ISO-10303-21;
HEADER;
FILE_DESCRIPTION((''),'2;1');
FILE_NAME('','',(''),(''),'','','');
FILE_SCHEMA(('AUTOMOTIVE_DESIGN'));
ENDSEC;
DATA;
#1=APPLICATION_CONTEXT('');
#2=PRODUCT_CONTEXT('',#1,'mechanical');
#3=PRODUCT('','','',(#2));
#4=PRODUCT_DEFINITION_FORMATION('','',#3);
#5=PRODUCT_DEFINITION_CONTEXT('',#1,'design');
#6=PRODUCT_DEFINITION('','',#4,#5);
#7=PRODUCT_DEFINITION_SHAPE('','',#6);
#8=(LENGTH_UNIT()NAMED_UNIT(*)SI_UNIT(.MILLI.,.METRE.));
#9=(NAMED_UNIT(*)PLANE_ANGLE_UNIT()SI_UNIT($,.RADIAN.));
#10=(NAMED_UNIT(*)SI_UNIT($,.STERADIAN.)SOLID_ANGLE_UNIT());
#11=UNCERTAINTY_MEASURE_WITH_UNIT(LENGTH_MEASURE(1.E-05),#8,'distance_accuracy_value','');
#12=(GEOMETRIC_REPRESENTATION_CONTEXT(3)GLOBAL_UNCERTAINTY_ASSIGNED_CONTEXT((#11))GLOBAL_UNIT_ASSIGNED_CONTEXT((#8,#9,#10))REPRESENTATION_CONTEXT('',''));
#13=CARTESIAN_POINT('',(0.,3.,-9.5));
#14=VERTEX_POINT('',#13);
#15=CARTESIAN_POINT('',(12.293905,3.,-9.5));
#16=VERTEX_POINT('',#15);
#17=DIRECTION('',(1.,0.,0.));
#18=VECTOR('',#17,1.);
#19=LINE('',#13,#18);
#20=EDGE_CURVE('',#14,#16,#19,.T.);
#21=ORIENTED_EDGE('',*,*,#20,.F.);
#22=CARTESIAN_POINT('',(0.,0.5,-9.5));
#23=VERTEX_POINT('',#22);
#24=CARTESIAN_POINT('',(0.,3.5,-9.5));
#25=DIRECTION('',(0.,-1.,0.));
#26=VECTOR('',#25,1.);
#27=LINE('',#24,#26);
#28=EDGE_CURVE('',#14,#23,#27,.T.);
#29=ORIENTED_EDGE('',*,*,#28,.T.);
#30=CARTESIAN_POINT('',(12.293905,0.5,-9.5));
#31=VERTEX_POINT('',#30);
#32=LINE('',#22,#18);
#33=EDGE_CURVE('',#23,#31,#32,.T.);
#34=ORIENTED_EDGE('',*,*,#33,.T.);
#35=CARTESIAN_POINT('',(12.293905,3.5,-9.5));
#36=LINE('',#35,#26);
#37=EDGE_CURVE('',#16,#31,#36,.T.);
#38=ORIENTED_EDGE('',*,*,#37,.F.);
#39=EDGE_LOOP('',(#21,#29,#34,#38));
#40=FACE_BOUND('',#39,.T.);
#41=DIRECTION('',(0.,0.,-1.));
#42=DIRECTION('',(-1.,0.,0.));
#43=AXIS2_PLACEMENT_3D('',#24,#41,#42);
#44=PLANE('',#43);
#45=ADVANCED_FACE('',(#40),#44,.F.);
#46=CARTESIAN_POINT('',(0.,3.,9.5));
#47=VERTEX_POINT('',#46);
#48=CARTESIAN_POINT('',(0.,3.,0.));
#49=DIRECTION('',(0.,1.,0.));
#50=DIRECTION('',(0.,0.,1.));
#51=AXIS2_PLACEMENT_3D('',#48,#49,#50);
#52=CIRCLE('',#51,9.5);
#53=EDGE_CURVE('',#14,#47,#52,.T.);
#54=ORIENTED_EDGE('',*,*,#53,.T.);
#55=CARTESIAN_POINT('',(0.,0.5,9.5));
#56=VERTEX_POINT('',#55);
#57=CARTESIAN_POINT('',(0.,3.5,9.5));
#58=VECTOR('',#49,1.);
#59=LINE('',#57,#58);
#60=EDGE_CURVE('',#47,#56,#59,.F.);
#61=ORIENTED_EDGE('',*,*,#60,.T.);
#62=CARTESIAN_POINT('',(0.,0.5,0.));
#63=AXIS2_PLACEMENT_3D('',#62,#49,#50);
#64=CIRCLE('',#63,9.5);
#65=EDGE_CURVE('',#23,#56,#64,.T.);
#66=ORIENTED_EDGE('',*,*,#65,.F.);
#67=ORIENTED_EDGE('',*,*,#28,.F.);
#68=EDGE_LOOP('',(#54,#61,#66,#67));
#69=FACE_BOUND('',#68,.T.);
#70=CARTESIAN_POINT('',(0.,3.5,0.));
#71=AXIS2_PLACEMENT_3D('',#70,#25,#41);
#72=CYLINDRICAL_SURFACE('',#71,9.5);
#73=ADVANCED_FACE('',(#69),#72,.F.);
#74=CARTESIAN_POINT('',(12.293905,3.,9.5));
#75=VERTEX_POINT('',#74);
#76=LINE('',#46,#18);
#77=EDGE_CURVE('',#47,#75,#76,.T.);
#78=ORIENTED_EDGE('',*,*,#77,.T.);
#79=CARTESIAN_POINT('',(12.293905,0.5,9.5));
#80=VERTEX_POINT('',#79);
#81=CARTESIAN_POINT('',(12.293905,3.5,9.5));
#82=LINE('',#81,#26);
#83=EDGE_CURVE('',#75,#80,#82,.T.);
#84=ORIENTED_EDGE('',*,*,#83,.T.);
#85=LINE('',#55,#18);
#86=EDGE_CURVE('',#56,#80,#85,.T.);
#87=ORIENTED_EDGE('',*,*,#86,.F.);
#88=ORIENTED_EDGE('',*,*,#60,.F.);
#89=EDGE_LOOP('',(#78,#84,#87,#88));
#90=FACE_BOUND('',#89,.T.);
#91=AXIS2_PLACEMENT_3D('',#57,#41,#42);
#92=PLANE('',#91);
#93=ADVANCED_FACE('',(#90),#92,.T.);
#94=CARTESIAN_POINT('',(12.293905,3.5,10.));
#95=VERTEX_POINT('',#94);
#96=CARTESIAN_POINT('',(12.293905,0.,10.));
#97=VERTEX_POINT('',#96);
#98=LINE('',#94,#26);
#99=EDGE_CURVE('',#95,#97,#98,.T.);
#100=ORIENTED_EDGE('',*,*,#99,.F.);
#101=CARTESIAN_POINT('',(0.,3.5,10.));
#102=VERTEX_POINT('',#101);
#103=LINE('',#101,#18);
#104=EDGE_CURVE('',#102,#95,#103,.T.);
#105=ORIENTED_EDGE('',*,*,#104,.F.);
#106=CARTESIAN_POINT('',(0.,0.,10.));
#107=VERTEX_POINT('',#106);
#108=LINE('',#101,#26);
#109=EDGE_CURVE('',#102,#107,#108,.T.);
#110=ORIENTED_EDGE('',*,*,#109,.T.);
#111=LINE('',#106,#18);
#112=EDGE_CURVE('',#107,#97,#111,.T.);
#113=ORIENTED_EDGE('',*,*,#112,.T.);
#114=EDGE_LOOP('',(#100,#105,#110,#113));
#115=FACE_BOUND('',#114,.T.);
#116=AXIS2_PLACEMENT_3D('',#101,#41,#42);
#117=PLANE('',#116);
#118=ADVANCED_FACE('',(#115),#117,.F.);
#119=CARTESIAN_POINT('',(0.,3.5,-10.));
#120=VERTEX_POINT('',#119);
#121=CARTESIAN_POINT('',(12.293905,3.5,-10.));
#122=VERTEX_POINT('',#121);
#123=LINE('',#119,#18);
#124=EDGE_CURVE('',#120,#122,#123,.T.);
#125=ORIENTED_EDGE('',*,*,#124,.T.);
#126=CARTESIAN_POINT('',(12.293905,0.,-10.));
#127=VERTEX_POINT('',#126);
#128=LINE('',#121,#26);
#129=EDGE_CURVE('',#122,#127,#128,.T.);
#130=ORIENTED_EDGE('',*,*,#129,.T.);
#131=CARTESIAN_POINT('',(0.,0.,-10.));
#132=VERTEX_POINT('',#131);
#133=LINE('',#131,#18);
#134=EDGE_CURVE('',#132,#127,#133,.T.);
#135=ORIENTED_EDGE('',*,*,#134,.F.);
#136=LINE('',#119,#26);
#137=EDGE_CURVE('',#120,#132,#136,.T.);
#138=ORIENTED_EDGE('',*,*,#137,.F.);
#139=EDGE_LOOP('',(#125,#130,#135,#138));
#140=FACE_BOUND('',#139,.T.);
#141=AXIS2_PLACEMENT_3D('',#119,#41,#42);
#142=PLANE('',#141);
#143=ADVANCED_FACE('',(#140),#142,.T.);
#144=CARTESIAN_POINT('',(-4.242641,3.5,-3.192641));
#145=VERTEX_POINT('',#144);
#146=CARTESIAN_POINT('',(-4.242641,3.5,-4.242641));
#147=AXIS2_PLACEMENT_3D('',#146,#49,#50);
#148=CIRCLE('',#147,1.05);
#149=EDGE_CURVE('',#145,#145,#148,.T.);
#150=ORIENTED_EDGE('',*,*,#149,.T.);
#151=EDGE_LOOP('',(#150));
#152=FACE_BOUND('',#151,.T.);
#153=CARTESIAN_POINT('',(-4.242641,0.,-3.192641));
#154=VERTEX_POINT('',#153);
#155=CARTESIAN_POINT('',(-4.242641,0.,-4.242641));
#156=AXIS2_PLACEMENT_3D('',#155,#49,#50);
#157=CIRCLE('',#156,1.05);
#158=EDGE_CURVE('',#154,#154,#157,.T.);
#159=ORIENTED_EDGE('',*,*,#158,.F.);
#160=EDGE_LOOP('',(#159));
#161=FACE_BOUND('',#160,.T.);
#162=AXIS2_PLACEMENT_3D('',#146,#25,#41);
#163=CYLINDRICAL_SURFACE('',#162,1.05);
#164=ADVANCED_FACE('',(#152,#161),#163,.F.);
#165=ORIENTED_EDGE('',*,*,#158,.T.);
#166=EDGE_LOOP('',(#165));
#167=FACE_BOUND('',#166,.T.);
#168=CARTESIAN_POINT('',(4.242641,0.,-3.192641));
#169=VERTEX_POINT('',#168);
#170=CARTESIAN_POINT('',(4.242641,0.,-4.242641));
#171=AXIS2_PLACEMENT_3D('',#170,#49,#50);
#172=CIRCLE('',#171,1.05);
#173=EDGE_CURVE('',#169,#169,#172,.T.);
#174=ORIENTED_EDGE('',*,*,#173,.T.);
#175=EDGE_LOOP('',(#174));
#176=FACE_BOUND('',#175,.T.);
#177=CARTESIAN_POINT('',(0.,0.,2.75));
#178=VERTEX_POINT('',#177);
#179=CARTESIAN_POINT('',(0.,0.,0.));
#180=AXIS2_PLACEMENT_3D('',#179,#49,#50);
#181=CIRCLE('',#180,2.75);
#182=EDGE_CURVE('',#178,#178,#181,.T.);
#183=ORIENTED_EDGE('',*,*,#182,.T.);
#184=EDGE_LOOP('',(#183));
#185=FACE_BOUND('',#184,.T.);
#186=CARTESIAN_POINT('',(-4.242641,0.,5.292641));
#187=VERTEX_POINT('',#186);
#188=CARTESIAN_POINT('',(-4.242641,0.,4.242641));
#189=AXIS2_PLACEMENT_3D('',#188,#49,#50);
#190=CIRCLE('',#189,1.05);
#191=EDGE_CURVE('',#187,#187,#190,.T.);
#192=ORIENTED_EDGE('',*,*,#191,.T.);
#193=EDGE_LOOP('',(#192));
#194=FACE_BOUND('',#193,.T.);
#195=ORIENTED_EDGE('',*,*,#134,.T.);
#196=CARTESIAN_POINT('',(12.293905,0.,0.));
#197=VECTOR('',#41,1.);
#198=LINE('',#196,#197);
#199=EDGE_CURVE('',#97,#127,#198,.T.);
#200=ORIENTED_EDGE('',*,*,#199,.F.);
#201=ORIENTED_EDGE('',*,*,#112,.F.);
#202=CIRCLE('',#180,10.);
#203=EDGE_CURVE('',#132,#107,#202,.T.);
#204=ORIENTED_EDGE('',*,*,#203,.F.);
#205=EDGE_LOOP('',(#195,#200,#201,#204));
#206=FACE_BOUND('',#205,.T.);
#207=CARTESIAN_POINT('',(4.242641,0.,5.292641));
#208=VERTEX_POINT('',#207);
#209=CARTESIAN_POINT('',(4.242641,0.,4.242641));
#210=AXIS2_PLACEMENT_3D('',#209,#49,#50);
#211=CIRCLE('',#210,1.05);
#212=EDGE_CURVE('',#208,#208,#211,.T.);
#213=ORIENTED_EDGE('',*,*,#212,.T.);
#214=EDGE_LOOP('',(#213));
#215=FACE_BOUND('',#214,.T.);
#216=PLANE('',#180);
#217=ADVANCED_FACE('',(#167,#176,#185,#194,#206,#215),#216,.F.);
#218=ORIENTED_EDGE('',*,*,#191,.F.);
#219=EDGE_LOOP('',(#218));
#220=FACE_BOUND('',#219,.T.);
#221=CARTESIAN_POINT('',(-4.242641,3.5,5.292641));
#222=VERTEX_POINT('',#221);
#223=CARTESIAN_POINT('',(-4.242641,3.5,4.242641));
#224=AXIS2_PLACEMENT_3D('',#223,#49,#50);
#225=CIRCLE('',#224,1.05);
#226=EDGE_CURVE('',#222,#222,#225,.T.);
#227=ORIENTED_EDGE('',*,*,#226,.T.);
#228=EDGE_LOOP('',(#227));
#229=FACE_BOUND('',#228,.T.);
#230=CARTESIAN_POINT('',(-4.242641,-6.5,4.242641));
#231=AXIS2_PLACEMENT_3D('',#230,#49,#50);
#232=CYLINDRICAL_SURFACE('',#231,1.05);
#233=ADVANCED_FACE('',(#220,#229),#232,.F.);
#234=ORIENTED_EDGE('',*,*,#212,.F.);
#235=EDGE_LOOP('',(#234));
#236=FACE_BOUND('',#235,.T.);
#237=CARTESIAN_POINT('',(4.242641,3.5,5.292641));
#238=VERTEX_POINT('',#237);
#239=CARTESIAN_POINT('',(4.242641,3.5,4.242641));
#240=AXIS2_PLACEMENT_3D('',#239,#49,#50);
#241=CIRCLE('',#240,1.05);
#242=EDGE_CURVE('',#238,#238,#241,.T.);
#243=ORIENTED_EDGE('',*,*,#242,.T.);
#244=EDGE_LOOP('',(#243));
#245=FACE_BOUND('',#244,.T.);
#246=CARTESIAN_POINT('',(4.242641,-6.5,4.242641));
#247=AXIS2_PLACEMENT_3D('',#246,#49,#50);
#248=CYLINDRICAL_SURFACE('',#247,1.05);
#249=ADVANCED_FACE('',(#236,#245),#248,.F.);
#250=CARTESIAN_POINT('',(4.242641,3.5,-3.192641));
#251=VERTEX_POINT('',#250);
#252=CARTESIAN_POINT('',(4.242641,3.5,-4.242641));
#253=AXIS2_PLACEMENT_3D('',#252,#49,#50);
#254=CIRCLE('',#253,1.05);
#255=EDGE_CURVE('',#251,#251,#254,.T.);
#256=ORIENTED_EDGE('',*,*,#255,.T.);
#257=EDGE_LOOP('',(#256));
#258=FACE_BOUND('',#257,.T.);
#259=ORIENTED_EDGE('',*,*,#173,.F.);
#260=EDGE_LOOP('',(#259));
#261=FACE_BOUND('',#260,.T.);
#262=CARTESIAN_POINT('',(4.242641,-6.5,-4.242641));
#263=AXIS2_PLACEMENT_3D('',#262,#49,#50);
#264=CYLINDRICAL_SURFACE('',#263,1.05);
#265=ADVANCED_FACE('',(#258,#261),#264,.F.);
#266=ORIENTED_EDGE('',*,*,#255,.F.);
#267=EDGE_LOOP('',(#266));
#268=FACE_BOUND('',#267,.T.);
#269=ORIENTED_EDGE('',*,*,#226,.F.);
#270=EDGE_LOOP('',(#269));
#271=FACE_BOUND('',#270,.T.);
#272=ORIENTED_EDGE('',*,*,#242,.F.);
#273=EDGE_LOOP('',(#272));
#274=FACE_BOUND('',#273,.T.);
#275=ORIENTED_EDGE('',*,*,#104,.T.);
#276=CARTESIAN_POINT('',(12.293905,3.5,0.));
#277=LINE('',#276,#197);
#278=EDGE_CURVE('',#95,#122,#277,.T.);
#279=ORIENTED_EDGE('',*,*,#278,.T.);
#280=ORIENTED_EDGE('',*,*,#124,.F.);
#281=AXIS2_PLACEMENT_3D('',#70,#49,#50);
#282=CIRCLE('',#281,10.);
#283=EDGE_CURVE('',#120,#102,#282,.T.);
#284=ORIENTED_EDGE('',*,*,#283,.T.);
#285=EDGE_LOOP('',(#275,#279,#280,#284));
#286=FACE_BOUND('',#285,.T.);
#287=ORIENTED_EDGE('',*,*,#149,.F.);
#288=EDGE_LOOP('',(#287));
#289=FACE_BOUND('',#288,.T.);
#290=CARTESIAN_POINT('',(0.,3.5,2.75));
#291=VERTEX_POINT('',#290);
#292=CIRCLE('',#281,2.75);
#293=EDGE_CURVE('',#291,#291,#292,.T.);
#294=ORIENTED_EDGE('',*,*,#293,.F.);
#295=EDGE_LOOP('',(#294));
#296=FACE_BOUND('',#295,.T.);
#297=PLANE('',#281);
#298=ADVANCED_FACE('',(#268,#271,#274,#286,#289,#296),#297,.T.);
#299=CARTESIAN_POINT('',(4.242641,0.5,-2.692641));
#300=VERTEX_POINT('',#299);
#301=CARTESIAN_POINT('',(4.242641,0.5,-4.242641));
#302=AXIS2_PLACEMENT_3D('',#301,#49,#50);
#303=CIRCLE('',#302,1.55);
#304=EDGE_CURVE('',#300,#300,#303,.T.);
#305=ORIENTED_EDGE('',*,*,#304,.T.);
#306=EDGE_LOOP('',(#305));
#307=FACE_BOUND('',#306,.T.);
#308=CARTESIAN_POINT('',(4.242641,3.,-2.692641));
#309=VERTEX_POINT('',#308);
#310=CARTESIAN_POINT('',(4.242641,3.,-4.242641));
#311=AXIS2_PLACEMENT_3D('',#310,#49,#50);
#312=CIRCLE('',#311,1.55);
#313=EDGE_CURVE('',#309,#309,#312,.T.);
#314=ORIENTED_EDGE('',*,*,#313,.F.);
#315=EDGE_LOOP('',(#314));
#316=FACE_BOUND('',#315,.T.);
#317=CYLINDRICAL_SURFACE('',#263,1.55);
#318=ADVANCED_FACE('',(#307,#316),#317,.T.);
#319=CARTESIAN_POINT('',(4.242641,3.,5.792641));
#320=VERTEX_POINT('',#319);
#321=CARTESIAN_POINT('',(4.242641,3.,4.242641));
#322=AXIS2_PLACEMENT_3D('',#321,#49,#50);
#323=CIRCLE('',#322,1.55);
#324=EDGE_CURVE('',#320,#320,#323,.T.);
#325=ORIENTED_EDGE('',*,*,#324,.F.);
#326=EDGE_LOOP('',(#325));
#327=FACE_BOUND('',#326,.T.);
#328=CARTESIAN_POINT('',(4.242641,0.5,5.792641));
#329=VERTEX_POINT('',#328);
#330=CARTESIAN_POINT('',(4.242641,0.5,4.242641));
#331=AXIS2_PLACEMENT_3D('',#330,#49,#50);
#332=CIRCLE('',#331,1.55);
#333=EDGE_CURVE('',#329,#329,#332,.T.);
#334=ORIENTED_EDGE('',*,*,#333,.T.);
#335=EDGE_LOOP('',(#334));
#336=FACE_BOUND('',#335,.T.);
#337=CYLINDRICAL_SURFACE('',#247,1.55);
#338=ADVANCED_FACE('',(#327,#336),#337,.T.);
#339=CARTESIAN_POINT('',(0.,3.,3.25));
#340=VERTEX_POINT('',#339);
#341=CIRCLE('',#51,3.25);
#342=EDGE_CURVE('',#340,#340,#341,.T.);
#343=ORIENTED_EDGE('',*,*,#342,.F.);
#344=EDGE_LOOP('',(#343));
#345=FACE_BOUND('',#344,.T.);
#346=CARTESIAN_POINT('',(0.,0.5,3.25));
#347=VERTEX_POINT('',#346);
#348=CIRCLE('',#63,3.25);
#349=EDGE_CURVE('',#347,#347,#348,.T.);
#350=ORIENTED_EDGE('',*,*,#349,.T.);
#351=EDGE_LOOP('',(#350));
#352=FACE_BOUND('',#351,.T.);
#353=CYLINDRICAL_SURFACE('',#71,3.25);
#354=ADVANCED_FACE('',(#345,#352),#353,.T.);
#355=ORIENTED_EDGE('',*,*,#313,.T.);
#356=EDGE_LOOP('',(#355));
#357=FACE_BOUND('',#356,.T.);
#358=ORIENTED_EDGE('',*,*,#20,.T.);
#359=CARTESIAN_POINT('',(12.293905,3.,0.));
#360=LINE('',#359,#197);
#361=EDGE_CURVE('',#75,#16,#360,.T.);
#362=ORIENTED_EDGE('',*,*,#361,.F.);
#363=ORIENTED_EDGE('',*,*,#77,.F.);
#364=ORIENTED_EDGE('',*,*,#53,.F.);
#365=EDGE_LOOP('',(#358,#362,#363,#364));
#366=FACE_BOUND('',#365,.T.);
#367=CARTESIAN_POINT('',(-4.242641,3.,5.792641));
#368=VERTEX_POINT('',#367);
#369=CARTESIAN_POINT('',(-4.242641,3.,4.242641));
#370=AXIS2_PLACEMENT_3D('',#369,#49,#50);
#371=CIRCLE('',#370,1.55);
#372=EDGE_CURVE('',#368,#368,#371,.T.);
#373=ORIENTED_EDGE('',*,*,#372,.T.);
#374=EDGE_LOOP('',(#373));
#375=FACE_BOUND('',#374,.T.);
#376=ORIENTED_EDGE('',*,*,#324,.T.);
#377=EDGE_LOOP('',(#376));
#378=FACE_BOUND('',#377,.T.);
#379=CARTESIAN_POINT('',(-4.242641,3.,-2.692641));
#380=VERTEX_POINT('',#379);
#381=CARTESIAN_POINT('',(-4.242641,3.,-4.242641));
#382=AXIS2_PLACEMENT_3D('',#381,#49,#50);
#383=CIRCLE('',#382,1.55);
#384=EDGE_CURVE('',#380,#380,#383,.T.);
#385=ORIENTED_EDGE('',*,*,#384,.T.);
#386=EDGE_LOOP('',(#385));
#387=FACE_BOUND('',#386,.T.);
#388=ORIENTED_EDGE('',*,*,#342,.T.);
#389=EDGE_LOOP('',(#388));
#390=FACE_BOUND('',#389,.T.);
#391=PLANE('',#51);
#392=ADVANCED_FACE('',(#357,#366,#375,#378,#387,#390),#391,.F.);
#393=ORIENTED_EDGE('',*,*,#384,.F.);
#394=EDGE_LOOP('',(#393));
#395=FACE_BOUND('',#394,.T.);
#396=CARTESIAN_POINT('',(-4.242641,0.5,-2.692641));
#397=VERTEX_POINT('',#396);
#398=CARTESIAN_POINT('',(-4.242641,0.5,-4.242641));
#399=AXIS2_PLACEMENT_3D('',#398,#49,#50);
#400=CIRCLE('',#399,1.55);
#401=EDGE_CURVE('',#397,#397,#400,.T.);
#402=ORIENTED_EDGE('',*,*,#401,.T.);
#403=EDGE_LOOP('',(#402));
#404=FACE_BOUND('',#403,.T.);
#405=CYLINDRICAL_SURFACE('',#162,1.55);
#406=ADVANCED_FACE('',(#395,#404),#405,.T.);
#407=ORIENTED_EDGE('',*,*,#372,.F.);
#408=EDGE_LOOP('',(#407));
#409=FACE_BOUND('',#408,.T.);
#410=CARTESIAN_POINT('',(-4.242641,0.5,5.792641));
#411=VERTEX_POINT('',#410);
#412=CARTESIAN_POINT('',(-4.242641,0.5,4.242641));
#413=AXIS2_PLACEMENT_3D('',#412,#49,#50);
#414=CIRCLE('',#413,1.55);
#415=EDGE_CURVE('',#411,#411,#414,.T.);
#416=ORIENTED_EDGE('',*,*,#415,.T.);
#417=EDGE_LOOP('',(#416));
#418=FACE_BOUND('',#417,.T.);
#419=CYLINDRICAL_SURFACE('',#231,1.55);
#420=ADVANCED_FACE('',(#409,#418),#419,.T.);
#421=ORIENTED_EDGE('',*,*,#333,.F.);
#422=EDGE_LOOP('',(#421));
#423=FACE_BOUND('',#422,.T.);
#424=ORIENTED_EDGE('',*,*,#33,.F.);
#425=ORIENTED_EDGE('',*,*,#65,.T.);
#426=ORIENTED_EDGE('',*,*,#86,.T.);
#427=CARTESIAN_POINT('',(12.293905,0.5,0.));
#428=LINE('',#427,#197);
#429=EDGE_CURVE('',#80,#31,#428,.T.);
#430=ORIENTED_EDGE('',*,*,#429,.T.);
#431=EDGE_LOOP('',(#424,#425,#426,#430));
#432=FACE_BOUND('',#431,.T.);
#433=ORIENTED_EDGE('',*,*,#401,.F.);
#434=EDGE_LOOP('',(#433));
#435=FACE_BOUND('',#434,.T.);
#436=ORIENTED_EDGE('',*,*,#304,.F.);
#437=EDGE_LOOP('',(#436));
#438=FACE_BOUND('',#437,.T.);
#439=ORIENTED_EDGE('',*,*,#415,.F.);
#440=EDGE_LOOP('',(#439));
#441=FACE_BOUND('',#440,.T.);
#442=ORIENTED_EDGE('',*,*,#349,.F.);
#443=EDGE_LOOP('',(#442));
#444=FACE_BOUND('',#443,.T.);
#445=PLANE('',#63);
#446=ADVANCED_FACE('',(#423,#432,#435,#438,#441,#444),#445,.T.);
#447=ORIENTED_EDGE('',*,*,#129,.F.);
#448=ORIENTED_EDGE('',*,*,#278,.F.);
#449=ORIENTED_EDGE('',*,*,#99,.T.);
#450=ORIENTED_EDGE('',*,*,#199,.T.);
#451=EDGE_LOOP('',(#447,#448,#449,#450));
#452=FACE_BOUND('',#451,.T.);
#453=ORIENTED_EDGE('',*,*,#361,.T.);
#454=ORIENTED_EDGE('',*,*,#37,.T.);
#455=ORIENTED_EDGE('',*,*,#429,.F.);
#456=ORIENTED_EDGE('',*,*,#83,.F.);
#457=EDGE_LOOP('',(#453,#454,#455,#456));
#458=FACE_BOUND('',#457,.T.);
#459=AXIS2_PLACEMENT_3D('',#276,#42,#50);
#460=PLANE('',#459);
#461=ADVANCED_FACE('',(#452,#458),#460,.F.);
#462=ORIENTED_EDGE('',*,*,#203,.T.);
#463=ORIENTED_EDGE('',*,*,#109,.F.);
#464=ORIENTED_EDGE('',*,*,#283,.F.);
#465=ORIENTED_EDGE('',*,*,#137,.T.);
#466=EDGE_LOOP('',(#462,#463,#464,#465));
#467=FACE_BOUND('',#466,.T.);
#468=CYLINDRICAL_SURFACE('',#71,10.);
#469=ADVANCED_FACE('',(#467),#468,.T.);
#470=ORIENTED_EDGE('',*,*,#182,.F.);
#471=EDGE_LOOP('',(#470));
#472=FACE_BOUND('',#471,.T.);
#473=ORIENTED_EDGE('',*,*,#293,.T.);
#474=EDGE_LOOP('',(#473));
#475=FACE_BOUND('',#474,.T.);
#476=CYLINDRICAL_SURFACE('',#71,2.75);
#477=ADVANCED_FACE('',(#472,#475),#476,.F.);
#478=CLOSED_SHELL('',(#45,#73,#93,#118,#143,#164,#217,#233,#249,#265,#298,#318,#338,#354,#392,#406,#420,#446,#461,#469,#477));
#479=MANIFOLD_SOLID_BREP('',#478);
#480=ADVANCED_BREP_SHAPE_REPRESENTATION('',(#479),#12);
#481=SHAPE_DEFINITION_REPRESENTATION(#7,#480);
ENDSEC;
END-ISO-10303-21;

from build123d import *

# Parameters (mm, degrees)
SKETCH1_R           = 10
SKETCH1_R_2         = 1.05
SKETCH1_R_3         = 2.75
BOSS_EXTRUDE1_DEPTH = 3.5
SKETCH8_R           = 1.05
CUT_EXTRUDE2_DEPTH  = 10
BOSS_EXTRUDE5_DEPTH = 3.5
SHELL2_T            = -0.5


with BuildPart() as part:
    # Sketch1 → Boss-Extrude1 (new body)
    with BuildSketch(Plane(origin=(0, 0, 0), x_dir=(1, 0, 0), z_dir=(0, 1, 0))):
        with Locations(Location((0, 0, 0), (0, 0, 270))):
            Circle(SKETCH1_R)
        with Locations(Location((-4.24264069, 4.24264069, 0), (0, 0, 270))):
            Circle(SKETCH1_R_2, mode=Mode.SUBTRACT)
        with Locations(Location((0, 0, 0), (0, 0, 270))):
            Circle(SKETCH1_R_3, mode=Mode.SUBTRACT)
    extrude(amount=BOSS_EXTRUDE1_DEPTH)

    # Sketch8 → Cut-Extrude2 (cut)
    with BuildSketch(Plane(origin=(0, 3.5, 0), x_dir=(1, 0, 0), z_dir=(0, 1, 0))):
        with Locations(Location((-4.24264069, -4.24264069, 0), (0, 0, 270))):
            Circle(SKETCH8_R)
        with Locations(Location((4.24264069, 4.24264069, 0), (0, 0, 270))):
            Circle(SKETCH8_R)
        with Locations(Location((4.24264069, -4.24264069, 0), (0, 0, 270))):
            Circle(SKETCH8_R)
    extrude(amount=-CUT_EXTRUDE2_DEPTH, mode=Mode.SUBTRACT)

    # Sketch11 → Boss-Extrude5 (add)
    with BuildSketch(Plane.XZ):
        with BuildLine():
            Line((12.293904652, 10), (0, 10))
            ThreePointArc((0, 10), (7.071067812, 7.071067812), (10, 0))
            ThreePointArc((10, 0), (7.071067812, -7.071067812), (0, -10))
            Line((0, -10), (12.293904652, -10))
            Line((12.293904652, -10), (12.293904652, 10))
        make_face()
    extrude(amount=-BOSS_EXTRUDE5_DEPTH)

    # Shell2
    shell2_openings = [part.faces().sort_by_distance(p)[0] for p in [
        (12.293904652, 1.75, 0),
    ]]
    offset(amount=SHELL2_T, openings=shell2_openings, kind=Kind.INTERSECTION)


solid = part.part
